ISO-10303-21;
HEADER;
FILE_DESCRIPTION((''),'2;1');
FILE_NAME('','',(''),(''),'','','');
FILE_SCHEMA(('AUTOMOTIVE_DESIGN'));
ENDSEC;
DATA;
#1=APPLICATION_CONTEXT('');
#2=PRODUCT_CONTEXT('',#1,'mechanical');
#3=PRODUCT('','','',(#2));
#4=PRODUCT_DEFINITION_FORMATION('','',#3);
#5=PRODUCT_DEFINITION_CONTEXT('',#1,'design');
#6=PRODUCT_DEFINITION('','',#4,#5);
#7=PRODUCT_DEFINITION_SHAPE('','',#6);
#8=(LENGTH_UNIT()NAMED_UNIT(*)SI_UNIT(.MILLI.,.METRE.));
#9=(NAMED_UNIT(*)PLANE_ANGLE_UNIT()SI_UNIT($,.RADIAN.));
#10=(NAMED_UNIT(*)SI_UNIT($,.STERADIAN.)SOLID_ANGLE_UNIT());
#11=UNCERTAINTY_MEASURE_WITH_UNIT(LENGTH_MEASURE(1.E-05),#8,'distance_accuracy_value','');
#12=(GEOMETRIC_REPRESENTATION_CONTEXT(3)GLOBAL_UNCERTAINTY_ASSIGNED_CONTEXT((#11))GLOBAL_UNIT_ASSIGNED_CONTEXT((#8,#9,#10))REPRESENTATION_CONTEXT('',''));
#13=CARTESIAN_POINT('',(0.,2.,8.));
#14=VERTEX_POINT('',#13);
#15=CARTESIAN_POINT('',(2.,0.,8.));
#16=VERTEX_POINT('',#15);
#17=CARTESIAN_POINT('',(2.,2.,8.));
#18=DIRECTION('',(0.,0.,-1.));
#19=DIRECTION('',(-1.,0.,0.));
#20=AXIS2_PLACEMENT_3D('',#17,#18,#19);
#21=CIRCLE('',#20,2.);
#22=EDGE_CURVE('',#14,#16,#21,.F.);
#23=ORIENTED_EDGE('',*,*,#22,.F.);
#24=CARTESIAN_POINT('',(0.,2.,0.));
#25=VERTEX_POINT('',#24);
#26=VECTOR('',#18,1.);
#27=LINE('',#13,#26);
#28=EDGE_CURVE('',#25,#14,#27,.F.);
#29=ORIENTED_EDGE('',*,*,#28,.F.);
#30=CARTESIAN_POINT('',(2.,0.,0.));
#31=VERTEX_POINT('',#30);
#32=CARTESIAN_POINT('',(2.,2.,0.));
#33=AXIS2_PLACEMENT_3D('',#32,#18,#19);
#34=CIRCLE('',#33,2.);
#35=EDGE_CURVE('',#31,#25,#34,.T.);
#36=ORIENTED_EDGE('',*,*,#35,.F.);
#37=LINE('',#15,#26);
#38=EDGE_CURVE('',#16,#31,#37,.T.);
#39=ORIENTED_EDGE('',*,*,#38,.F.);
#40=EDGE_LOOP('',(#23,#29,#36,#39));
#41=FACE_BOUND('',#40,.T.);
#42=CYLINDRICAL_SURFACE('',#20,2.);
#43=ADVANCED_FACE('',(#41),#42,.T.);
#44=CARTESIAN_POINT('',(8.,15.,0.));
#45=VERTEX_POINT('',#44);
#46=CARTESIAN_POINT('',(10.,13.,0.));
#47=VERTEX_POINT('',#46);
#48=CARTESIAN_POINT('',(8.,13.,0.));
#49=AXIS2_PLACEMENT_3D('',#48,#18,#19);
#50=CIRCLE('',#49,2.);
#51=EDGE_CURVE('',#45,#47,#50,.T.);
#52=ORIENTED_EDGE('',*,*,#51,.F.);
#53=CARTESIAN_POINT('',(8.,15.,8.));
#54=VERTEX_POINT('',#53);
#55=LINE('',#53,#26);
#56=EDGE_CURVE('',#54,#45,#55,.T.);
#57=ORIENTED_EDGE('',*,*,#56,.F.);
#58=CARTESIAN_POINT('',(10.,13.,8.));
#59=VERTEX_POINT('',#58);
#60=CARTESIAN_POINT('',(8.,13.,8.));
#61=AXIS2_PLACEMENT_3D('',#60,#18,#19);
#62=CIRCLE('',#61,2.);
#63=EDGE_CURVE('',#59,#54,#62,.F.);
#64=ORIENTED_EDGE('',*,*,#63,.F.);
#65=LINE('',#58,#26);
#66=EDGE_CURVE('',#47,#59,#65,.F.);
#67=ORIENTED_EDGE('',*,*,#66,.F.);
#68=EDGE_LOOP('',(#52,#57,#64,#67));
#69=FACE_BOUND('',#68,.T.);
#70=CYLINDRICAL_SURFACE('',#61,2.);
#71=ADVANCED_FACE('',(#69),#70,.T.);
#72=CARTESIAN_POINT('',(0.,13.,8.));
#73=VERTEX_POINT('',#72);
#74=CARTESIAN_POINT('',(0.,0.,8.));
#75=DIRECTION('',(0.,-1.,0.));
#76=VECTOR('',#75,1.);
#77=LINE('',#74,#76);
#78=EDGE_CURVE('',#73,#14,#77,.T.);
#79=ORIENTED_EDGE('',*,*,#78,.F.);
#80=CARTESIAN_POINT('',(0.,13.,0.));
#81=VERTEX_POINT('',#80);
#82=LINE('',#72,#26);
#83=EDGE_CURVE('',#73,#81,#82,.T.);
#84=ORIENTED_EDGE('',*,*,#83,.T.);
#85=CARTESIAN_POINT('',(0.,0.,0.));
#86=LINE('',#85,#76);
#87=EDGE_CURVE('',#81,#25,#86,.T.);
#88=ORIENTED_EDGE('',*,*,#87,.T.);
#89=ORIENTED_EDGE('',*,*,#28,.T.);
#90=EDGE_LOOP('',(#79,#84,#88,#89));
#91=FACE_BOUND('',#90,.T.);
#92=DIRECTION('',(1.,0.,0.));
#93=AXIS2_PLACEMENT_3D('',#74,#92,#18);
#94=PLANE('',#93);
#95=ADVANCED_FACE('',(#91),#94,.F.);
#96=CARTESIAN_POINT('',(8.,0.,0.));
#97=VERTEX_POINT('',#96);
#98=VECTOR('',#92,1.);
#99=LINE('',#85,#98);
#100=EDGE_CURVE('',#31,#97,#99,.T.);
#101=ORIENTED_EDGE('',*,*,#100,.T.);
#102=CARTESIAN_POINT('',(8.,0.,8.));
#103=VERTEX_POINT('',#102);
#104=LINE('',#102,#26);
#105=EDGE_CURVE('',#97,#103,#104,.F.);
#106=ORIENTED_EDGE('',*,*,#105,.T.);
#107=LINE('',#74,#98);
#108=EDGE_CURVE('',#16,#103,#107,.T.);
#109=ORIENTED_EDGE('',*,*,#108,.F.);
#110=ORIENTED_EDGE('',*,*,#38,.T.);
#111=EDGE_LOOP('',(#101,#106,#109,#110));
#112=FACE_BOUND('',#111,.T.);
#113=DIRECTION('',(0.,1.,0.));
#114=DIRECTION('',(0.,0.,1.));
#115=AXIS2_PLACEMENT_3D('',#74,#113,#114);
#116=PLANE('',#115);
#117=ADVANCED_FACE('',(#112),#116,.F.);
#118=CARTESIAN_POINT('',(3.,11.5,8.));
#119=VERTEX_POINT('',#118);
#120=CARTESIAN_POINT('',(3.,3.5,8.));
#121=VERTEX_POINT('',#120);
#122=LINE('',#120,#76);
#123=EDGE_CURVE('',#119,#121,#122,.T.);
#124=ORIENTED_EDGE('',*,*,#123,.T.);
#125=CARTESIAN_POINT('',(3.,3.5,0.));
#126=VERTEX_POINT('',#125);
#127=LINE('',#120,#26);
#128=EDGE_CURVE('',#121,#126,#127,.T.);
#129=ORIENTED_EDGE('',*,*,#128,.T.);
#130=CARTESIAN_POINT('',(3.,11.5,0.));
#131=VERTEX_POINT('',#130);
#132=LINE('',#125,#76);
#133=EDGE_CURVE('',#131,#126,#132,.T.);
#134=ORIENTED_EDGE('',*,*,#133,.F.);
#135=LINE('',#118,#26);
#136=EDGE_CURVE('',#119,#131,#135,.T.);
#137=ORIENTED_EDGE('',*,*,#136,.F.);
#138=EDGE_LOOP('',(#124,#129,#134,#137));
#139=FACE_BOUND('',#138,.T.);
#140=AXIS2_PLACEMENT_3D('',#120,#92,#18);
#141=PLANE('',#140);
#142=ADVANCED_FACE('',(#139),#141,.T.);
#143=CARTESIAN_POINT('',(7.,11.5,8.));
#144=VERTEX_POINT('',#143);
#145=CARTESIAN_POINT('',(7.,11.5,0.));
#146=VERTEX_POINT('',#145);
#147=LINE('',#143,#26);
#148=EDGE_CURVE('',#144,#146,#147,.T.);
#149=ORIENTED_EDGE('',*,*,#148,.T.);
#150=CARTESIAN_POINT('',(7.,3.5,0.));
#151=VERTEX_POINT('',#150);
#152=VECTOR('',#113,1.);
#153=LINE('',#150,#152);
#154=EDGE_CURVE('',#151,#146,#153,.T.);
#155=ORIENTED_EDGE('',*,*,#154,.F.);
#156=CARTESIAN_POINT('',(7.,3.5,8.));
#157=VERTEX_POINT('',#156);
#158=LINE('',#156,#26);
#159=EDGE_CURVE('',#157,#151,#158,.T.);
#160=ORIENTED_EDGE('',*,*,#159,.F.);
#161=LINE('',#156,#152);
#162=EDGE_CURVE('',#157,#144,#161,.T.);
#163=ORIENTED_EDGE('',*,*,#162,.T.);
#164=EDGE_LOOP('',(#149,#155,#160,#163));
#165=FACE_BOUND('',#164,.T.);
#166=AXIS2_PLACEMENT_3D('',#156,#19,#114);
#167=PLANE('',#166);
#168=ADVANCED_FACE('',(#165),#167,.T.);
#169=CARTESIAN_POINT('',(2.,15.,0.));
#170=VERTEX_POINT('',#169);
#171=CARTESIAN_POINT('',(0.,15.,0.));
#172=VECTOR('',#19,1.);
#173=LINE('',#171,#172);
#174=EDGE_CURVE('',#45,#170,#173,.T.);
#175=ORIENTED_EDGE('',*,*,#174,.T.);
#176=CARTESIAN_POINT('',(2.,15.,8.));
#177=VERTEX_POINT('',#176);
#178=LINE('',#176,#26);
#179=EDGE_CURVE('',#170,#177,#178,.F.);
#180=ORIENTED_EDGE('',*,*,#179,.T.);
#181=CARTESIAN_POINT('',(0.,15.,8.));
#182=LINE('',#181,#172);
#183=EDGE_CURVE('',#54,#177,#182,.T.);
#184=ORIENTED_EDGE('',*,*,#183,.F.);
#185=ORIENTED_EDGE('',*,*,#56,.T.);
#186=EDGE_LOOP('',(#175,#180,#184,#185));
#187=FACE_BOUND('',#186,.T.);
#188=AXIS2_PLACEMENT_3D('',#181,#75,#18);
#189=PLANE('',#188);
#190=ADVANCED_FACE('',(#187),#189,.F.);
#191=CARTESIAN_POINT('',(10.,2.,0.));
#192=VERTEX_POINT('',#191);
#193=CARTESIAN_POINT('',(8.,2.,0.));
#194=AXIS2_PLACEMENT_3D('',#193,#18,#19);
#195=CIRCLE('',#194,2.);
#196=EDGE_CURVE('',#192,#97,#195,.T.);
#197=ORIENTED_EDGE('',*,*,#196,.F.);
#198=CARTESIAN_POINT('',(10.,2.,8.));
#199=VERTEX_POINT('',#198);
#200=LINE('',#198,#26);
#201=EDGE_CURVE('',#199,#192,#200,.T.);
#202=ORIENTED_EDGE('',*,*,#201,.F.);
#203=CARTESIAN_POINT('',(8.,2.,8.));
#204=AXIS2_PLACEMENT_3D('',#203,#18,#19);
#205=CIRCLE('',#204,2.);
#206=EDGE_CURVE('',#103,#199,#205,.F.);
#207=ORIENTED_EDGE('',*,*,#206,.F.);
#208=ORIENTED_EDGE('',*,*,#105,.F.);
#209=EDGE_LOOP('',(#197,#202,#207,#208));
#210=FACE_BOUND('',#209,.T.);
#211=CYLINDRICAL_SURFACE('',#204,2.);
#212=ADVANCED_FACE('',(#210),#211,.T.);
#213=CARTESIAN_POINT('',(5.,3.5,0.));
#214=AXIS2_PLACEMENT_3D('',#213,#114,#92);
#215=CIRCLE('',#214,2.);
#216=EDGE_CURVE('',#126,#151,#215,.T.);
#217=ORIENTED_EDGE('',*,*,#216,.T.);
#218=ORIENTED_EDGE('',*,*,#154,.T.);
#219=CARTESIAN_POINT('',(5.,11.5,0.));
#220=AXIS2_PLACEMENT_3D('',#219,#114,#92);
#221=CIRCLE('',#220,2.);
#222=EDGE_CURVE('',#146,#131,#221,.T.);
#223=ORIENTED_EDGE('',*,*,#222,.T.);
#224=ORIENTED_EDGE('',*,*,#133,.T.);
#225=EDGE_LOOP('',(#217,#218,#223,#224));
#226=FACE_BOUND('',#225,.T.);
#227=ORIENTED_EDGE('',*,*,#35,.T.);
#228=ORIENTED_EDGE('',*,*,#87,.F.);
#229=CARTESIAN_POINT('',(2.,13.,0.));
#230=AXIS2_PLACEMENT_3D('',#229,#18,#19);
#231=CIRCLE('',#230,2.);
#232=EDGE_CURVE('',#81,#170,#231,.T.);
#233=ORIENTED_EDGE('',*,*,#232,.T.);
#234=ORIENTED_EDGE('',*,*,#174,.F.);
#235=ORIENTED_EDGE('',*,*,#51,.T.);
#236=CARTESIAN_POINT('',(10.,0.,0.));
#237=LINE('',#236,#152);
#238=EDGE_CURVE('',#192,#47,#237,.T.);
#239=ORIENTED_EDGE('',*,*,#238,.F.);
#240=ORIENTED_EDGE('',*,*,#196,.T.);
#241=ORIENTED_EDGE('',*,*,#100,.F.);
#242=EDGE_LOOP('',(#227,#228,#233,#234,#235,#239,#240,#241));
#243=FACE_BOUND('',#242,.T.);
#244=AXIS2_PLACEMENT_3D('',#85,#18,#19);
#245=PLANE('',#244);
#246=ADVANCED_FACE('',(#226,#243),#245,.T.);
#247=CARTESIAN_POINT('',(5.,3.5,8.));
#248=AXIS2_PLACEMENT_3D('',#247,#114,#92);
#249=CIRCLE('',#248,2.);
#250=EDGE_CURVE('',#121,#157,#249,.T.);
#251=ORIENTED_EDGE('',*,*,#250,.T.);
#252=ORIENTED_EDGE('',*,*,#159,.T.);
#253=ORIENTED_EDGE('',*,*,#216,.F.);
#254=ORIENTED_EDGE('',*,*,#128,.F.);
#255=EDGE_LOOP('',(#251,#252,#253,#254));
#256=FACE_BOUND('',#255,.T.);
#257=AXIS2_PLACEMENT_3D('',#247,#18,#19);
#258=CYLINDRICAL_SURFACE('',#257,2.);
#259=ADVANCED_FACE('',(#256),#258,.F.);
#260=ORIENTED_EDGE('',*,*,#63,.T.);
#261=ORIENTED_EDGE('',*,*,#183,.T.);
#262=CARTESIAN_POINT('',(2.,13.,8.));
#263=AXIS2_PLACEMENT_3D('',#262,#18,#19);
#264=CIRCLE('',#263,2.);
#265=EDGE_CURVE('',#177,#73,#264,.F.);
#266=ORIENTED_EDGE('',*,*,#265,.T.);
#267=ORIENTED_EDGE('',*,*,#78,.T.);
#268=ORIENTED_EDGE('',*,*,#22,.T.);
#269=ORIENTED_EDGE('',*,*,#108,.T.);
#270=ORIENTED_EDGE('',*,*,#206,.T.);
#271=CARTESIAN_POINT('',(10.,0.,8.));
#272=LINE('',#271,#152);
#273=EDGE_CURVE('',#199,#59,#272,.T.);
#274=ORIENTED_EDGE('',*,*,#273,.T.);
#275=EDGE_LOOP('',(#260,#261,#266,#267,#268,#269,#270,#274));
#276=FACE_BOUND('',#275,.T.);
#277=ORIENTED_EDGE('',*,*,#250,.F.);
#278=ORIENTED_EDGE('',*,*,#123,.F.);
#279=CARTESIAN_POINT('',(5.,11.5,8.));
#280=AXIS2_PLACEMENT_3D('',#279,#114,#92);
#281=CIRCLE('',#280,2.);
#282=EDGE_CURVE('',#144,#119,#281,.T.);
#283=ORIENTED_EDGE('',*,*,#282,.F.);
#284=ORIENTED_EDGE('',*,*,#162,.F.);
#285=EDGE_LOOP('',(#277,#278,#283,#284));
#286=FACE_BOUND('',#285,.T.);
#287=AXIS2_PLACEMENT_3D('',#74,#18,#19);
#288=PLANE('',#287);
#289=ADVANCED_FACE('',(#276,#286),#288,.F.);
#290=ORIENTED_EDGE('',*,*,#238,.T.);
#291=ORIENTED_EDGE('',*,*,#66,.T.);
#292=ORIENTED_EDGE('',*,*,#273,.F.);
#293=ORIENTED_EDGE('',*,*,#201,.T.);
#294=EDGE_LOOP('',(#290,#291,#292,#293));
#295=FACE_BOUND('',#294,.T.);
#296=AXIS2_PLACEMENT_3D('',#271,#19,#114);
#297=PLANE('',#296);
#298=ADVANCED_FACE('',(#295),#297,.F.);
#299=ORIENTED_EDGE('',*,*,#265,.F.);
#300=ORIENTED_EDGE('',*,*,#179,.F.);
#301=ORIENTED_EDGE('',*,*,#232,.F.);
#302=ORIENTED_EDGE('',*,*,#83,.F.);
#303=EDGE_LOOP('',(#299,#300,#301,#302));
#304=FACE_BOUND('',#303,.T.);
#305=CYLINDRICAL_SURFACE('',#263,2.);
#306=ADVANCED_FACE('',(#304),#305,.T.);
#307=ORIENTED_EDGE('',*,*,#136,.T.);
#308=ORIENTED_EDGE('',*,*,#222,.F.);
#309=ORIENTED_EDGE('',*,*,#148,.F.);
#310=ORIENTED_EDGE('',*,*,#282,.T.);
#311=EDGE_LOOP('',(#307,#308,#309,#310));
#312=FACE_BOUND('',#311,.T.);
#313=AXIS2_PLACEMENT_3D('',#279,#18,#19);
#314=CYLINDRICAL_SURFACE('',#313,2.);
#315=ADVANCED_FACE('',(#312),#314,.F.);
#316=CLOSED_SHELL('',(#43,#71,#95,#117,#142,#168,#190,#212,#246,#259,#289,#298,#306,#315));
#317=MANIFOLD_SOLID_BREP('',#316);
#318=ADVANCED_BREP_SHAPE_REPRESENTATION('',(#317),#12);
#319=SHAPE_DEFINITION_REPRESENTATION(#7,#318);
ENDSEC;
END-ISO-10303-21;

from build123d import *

# Parameters (mm, degrees)
SKETCH1_W           = 10
SKETCH1_H           = 15
BOSS_EXTRUDE1_DEPTH = 8
FILLET1_R           = 2


with BuildPart() as part:
    # Sketch1 → Boss-Extrude1 (new body)
    with BuildSketch(Plane.XY):
        with Locations((5, 7.5)):
            Rectangle(SKETCH1_W, SKETCH1_H)
        with BuildLine():
            Line((3, 3.5), (3, 11.5))
            ThreePointArc((3, 11.5), (5, 13.5), (7, 11.5))
            Line((7, 11.5), (7, 3.5))
            ThreePointArc((7, 3.5), (5, 1.5), (3, 3.5))
        make_face(mode=Mode.SUBTRACT)
    extrude(amount=BOSS_EXTRUDE1_DEPTH)

    # Fillet1
    fillet1_edges = [part.edges().sort_by_distance(p)[0] for p in [
        (0, 15, 4),
        (10, 15, 4),
        (10, 0, 4),
        (0, 0, 4),
    ]]
    fillet(fillet1_edges, radius=FILLET1_R)


solid = part.part
